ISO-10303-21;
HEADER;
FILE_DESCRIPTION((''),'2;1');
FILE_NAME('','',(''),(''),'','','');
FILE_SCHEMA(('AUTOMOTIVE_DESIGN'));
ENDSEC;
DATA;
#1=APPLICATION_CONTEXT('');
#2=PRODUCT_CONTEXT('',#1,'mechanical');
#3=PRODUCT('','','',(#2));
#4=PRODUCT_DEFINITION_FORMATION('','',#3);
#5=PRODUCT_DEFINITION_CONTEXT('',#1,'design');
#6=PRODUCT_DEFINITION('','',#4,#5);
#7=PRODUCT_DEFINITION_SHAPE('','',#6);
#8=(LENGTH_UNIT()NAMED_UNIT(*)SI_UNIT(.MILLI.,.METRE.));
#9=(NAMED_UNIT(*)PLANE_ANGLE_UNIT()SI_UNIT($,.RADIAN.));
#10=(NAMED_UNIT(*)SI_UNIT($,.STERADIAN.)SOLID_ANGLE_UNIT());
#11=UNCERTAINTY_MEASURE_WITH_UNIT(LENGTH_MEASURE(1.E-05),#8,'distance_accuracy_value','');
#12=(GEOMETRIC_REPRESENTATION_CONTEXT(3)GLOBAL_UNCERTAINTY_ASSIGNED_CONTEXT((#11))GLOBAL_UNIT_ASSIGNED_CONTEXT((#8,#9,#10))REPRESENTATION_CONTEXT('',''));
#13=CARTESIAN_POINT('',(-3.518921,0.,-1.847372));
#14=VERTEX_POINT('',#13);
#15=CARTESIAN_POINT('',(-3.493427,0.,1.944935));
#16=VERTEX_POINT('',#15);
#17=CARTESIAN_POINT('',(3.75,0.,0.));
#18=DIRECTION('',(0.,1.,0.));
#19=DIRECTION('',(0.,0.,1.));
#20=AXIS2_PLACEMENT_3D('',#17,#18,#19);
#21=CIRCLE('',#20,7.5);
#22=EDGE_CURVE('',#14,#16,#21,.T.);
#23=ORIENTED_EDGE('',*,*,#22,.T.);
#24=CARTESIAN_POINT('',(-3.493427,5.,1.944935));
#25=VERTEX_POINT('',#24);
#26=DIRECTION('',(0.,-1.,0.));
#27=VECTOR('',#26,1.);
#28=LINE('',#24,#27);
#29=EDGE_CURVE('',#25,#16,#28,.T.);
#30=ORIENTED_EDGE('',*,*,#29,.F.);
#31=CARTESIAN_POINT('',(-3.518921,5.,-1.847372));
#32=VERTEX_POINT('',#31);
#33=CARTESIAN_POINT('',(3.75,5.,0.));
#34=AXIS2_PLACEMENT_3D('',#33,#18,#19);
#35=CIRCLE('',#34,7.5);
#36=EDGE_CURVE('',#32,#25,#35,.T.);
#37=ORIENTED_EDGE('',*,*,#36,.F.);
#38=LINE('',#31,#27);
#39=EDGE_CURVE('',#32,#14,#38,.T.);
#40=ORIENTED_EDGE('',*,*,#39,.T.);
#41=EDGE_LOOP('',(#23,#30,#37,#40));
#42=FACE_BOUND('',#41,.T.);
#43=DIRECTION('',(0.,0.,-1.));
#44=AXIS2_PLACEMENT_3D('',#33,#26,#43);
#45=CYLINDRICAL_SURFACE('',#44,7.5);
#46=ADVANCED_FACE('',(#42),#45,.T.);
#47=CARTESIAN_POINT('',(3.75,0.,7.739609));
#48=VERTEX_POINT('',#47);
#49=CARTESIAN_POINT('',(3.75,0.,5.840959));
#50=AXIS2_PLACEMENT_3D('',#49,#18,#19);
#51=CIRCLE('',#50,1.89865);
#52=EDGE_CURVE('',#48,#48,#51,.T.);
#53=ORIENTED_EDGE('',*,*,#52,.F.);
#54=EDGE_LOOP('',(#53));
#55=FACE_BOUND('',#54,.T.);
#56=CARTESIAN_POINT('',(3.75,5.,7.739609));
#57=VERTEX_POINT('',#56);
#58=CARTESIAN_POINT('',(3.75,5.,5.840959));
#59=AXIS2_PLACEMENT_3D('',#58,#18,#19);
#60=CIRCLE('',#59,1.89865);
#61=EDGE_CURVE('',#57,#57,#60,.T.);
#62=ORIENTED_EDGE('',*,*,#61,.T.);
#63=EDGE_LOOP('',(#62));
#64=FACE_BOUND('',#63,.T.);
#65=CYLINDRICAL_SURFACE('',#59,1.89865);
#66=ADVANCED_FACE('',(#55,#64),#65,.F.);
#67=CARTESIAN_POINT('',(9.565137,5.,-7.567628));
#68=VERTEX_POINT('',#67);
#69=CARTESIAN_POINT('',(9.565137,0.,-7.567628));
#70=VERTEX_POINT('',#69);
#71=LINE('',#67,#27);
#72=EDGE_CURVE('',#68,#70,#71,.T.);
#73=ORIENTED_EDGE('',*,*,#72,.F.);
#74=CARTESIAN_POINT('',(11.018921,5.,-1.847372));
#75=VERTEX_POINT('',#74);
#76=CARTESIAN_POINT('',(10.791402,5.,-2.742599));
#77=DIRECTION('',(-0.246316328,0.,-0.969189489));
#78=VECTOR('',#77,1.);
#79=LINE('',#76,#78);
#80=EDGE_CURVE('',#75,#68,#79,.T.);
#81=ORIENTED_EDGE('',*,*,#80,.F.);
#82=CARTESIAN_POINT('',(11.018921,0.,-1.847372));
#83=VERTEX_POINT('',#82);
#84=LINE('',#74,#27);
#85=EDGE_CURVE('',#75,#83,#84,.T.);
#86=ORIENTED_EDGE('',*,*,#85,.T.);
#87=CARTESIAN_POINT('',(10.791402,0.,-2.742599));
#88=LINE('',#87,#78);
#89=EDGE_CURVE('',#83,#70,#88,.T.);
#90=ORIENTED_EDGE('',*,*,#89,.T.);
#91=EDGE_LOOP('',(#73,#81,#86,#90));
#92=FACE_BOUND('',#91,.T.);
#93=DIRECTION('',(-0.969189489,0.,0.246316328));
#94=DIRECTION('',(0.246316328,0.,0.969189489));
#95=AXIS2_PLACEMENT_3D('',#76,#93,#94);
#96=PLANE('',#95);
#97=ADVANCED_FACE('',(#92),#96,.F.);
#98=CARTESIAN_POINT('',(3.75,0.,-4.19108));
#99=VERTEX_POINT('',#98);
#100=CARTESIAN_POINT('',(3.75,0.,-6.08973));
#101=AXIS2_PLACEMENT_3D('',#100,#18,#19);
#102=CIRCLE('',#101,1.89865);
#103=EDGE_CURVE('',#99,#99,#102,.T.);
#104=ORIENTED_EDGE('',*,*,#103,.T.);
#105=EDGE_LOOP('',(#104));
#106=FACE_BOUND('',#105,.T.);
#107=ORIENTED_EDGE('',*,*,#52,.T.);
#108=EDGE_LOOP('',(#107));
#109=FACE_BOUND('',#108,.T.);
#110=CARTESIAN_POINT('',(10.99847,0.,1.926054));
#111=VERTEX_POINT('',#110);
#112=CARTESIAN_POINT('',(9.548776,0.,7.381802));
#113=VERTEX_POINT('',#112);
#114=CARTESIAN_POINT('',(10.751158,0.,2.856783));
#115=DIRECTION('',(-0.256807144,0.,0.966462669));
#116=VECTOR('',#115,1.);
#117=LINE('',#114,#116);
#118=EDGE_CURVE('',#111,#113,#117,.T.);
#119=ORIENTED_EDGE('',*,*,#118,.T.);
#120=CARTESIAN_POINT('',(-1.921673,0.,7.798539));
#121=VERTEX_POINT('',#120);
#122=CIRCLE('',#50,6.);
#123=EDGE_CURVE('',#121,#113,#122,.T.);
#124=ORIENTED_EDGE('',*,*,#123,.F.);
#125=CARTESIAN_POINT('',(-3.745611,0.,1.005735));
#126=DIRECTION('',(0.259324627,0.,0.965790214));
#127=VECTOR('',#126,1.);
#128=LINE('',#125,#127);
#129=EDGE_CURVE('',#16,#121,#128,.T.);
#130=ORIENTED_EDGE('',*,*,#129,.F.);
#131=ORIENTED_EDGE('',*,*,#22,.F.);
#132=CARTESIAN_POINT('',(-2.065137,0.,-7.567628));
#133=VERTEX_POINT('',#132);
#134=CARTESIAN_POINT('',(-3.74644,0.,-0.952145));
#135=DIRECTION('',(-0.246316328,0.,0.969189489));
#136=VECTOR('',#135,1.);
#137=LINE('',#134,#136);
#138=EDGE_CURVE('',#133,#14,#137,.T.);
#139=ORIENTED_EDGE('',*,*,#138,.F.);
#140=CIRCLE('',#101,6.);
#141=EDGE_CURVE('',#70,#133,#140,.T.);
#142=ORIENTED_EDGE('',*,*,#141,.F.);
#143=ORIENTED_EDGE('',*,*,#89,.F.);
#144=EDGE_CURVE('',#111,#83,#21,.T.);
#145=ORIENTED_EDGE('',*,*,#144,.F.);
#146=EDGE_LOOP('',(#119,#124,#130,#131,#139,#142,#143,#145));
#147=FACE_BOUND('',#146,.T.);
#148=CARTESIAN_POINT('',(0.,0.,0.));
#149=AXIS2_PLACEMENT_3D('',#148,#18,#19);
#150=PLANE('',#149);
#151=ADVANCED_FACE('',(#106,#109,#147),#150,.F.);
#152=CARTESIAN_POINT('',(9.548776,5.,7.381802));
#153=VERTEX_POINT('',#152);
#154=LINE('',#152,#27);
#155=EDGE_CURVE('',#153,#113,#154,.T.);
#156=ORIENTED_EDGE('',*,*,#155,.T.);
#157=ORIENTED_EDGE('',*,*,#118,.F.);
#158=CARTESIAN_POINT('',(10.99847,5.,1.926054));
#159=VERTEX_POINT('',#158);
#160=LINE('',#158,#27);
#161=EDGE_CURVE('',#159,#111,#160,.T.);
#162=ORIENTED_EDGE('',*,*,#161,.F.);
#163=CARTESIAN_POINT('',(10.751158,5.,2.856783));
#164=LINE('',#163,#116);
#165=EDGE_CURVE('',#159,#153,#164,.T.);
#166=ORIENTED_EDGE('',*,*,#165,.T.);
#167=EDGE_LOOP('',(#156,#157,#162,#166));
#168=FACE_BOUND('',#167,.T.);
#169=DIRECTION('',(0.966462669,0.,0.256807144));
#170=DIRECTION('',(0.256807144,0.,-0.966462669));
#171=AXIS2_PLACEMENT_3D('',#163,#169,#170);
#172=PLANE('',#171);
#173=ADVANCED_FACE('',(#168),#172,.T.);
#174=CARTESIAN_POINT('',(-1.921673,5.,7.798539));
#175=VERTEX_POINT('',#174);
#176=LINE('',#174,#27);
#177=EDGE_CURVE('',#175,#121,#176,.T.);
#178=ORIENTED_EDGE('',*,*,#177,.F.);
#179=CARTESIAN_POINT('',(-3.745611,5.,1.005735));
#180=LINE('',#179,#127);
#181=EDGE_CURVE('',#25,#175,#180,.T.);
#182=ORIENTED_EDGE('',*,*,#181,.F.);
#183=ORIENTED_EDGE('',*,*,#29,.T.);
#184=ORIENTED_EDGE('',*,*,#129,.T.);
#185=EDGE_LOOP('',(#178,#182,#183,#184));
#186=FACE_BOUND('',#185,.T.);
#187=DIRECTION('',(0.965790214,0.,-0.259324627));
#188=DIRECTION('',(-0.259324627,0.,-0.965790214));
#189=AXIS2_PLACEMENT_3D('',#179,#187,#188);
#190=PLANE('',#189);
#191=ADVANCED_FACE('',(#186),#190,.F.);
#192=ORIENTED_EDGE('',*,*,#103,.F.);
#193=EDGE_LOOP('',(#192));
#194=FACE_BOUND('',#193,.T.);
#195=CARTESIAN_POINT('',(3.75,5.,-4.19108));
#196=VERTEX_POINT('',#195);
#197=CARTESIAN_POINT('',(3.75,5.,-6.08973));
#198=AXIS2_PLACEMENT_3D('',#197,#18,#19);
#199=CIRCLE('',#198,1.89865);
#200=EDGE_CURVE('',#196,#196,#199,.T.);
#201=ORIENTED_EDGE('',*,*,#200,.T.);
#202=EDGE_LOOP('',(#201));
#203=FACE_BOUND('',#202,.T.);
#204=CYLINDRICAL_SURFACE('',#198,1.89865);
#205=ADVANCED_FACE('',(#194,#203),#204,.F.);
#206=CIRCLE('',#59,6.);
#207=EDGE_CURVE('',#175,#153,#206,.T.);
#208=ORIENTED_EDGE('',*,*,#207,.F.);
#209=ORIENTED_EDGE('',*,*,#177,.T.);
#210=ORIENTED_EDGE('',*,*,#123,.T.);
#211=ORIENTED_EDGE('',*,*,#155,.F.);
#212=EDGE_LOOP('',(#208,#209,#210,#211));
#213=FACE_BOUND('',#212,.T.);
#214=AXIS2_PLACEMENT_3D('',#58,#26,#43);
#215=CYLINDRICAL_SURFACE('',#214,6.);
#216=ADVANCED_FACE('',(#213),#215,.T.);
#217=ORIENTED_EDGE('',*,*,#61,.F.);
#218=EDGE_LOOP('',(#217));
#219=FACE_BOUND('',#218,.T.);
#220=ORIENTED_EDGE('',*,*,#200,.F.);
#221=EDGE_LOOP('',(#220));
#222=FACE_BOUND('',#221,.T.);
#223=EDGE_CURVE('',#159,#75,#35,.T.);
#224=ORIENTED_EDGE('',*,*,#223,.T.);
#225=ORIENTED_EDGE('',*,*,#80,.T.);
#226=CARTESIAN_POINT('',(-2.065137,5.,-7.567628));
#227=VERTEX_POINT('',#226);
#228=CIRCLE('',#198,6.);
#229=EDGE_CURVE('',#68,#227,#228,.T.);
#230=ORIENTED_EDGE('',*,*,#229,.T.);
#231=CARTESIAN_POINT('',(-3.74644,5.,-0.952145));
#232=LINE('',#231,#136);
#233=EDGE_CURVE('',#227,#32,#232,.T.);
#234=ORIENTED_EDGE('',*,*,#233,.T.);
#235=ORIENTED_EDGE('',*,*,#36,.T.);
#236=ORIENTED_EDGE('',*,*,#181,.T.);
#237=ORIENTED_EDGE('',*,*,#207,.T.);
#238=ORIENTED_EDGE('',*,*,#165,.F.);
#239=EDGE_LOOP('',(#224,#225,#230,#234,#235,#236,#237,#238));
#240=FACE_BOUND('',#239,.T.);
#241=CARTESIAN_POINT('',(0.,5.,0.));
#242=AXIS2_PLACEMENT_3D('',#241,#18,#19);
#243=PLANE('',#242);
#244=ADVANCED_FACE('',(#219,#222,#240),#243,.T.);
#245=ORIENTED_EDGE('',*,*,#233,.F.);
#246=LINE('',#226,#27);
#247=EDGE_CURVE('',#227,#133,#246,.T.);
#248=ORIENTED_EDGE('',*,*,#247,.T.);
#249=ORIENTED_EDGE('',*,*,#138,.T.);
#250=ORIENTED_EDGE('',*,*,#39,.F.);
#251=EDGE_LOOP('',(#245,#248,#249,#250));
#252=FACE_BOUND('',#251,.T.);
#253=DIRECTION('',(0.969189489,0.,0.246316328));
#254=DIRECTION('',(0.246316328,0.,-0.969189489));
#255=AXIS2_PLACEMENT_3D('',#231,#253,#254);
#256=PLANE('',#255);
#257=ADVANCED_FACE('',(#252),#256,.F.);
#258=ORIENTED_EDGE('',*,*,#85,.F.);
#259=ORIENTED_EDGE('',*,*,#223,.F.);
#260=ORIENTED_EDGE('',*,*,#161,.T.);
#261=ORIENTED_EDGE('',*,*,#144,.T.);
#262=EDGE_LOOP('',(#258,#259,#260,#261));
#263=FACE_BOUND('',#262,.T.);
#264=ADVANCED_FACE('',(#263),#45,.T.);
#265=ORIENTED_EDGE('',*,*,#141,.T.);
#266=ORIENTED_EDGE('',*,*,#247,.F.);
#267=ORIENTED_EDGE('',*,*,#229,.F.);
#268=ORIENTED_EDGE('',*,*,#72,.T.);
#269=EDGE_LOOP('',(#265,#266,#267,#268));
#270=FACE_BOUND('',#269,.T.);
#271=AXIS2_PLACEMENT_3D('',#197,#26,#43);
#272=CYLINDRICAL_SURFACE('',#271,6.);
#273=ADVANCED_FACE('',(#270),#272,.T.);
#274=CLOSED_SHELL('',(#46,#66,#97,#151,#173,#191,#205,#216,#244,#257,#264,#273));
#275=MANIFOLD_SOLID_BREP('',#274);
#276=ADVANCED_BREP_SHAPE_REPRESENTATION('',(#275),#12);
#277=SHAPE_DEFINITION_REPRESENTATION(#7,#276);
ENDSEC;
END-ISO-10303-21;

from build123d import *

# Parameters (mm, degrees)
BOSS_EXTRUDE2_DEPTH   = 5
F_6_CLEARANCE_HOLE1_D = 3.7973


with BuildPart() as part:
    # Sketch2 → Boss-Extrude2 (new body)
    with BuildSketch(Plane(origin=(0, 0, 0), x_dir=(1, 0, 0), z_dir=(0, 1, 0))):
        with BuildLine():
            ThreePointArc((-1.921673483, -7.798539123), (3.967844549, -11.837003018), (9.548776015, -7.381801872))
            Line((9.548776015, -7.381801872), (10.998470019, -1.926053578))
            ThreePointArc((10.998470019, -1.926053578), (11.24988985, -0.04064778), (11.018921171, 1.84737246))
            Line((11.018921171, 1.84737246), (9.565136937, 7.567628243))
            ThreePointArc((9.565136937, 7.567628243), (3.75, 12.089730275), (-2.065136937, 7.567628243))
            Line((-2.065136937, 7.567628243), (-3.518921171, 1.84737246))
            ThreePointArc((-3.518921171, 1.84737246), (-3.749830525, -0.050419155), (-3.493426606, -1.944934706))
            Line((-3.493426606, -1.944934706), (-1.921673483, -7.798539123))
        make_face()
    extrude(amount=BOSS_EXTRUDE2_DEPTH)

    # #6 Clearance Hole1 (through all)
    with Locations(Plane(origin=(0, 5, 0), x_dir=(1, 0, 0), z_dir=(0, 1, 0))):
        with Locations((3.75, 6.089730275), (3.75, -5.840959009)):
            Hole(F_6_CLEARANCE_HOLE1_D / 2)


solid = part.part
